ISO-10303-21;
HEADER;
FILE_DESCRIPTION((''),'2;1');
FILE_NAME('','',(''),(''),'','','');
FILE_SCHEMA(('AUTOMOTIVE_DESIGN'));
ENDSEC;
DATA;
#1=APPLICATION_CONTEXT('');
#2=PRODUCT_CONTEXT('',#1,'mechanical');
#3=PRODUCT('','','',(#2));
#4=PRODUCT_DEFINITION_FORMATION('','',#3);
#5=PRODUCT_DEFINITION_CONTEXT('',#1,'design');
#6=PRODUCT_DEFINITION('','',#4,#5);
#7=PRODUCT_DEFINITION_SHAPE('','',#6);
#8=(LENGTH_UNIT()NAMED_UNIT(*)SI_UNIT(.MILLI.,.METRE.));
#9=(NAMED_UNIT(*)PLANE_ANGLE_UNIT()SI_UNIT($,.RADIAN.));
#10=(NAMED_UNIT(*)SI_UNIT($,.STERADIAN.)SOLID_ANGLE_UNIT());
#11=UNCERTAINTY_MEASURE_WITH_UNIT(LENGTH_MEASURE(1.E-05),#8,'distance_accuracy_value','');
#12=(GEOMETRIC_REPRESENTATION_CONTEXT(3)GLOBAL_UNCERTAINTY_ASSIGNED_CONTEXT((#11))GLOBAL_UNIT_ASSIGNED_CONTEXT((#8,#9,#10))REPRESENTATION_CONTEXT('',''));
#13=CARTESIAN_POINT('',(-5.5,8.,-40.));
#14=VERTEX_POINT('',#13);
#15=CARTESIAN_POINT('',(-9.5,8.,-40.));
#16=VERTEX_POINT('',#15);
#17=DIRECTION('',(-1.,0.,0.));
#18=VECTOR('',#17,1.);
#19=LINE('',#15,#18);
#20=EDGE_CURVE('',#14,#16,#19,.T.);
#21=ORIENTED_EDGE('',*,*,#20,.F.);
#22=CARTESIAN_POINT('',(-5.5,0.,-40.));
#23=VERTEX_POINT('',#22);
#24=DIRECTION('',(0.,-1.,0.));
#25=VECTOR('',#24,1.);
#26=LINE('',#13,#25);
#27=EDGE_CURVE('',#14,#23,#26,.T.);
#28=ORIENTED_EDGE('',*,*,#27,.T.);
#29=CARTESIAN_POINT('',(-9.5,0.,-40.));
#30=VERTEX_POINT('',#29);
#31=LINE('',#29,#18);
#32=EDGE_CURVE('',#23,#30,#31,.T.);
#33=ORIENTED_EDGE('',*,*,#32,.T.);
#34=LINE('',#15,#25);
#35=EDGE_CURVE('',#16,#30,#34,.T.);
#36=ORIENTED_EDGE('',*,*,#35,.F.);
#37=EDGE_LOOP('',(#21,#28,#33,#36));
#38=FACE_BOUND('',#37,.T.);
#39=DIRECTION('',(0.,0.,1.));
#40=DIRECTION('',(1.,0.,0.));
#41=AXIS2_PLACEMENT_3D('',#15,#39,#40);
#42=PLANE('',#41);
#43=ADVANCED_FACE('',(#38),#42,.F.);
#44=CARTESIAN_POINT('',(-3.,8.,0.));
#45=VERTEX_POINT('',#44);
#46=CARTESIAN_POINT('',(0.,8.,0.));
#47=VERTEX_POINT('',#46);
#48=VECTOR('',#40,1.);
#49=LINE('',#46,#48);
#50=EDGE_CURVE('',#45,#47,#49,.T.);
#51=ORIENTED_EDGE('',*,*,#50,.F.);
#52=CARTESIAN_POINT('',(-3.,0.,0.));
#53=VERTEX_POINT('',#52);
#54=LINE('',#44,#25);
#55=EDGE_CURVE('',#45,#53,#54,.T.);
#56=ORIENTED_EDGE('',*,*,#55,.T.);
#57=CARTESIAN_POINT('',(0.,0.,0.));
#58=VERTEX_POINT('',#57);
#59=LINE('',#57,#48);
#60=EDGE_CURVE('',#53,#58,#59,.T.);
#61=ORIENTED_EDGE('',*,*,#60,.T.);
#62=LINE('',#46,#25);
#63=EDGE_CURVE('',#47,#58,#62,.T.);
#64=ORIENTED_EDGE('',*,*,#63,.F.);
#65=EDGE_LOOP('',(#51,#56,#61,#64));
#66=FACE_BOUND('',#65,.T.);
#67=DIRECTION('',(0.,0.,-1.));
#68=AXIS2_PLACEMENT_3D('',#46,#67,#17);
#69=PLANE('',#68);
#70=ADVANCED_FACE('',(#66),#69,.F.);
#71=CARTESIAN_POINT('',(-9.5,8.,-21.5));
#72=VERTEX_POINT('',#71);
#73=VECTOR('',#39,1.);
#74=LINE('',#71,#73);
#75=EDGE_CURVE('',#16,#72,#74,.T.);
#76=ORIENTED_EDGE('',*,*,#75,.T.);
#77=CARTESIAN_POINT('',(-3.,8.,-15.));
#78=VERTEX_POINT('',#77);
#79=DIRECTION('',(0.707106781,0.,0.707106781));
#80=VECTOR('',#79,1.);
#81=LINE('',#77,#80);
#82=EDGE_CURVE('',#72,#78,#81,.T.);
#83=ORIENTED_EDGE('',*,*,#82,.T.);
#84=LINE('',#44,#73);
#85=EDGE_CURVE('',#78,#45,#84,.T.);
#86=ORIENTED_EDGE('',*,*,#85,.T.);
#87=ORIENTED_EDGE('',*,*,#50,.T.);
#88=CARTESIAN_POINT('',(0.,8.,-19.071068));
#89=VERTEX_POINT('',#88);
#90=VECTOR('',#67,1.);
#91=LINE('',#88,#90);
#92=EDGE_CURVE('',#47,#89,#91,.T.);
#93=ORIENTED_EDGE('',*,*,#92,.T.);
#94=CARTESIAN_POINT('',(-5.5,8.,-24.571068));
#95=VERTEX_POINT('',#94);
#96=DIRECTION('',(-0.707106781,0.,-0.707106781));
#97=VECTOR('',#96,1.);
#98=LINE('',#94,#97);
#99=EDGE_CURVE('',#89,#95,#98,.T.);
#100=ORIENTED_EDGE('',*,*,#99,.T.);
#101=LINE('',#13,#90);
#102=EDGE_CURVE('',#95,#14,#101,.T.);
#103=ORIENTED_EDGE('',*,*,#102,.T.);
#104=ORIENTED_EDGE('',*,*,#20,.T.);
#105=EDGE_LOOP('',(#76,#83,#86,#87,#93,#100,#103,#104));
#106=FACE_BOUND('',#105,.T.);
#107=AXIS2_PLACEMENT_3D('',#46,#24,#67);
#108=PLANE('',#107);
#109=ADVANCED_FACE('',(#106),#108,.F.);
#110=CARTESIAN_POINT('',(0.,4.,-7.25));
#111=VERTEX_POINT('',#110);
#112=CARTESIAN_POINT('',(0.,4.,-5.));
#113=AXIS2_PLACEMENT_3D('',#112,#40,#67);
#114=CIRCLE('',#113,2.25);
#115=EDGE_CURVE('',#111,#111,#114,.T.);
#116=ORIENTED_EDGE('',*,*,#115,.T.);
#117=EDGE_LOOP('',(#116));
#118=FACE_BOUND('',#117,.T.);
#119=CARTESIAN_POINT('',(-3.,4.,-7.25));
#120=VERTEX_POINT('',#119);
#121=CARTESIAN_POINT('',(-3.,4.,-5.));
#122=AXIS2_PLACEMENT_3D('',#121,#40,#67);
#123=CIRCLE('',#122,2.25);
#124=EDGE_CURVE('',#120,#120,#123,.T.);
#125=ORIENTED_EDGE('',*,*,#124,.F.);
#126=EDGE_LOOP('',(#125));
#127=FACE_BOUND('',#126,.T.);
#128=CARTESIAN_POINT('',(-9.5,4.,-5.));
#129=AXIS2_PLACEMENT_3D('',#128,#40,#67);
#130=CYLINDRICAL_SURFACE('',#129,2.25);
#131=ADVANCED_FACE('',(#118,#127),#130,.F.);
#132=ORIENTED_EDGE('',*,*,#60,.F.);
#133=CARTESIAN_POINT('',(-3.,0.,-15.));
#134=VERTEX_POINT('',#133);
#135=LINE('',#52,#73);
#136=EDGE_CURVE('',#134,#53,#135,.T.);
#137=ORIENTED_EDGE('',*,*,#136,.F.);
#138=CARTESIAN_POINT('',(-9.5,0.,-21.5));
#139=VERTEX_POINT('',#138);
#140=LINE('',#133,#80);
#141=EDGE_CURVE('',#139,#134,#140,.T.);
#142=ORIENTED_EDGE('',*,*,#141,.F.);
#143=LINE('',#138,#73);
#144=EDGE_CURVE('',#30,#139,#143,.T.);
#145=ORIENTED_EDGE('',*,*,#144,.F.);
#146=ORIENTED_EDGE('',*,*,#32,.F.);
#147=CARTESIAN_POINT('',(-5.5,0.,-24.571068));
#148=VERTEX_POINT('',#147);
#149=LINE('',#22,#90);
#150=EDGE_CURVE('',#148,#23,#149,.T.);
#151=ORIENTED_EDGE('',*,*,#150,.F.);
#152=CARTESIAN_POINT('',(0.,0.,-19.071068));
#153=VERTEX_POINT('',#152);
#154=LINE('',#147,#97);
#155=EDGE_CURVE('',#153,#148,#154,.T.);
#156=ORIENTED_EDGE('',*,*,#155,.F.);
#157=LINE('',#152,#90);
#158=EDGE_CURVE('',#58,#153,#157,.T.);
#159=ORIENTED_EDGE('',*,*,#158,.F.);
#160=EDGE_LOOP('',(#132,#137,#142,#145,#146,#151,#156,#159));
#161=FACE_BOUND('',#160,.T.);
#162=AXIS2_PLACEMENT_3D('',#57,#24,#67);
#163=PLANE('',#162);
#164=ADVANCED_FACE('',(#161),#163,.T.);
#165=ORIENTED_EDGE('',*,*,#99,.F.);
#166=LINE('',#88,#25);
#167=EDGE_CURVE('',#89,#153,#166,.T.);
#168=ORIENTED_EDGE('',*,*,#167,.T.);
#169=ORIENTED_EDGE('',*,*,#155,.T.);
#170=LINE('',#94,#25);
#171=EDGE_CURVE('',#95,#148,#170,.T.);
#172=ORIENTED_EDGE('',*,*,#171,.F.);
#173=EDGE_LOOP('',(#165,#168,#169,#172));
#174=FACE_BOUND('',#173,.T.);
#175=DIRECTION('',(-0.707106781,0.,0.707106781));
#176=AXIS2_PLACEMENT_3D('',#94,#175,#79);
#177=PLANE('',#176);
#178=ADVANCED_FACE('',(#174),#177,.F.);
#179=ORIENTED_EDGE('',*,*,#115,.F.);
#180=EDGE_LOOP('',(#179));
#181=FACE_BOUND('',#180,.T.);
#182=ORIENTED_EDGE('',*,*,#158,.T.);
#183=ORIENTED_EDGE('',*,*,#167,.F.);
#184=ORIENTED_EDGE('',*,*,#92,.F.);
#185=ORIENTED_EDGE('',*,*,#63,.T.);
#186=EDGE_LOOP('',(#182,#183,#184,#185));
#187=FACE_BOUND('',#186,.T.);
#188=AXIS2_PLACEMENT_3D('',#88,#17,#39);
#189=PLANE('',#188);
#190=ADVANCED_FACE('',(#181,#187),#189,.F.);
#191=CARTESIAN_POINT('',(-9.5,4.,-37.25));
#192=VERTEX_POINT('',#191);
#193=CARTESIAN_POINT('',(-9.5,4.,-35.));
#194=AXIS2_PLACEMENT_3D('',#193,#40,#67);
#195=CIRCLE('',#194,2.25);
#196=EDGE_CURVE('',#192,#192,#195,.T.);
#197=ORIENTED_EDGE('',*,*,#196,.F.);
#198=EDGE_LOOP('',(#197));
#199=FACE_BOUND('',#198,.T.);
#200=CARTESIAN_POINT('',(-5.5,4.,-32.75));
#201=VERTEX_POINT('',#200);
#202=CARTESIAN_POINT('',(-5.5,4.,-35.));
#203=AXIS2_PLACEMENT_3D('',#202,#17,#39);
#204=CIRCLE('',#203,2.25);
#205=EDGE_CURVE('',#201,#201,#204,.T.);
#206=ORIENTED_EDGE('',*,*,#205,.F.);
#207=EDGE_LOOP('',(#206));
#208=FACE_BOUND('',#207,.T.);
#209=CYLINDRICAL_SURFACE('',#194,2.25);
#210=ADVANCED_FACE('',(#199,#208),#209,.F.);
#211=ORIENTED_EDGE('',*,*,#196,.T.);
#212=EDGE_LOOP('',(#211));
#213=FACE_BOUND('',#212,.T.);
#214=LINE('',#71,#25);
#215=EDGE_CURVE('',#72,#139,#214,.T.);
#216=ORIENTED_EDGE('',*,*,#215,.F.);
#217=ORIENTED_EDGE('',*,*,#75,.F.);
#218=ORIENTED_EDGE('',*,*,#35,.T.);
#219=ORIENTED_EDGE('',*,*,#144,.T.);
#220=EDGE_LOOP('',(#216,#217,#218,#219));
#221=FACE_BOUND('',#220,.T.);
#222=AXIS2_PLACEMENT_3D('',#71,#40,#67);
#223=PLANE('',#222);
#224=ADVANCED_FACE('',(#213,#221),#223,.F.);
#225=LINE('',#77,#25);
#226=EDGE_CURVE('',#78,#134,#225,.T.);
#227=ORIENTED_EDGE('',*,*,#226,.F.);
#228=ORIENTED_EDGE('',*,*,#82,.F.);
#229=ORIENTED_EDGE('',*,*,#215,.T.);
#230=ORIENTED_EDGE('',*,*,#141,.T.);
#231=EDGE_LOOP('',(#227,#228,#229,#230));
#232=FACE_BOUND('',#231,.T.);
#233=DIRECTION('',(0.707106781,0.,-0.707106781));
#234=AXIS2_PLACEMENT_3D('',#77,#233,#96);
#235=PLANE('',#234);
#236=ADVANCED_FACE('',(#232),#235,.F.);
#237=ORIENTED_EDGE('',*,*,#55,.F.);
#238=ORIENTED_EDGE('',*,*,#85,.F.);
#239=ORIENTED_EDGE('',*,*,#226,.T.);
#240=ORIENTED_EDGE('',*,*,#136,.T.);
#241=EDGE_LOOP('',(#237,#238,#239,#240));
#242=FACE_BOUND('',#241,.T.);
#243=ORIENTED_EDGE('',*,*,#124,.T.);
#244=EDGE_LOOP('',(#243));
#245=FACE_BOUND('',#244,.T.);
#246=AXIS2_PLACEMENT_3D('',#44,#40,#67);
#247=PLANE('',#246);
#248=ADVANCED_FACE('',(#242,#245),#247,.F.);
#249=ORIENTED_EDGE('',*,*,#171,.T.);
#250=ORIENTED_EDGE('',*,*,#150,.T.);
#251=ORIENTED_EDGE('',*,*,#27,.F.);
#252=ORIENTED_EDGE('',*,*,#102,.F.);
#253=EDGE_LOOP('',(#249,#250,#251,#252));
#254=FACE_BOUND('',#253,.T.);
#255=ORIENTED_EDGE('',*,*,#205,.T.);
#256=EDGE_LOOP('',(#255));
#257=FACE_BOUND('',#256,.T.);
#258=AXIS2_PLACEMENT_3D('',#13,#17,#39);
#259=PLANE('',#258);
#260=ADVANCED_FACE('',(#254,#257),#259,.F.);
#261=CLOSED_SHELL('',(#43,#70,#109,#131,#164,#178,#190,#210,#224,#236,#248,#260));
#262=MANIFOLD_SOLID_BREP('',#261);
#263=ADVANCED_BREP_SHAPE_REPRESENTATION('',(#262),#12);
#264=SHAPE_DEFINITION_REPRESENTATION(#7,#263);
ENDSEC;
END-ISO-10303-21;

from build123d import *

# Parameters (mm, degrees)
BOSS_EXTRUDE1_DEPTH     = 8
SKETCH2_R               = 2.25
CUT_EXTRUDE1_DEPTH      = 6.5
CUT_EXTRUDE1_DEPTH_BACK = 5


with BuildPart() as part:
    # Sketch1 → Boss-Extrude1 (new body)
    with BuildSketch(Plane(origin=(0, 0, 0), x_dir=(1, 0, 0), z_dir=(0, 1, 0))):
        Polygon((0, 0), (-3, 0), (-3, 15), (-9.5, 21.5), (-9.5, 40), (-5.5, 40), (-5.5, 24.571067812), (0, 19.071067812), align=None)
    extrude(amount=BOSS_EXTRUDE1_DEPTH)

    # Sketch2 → Cut-Extrude1 (cut, two sides)
    with BuildSketch(Plane(origin=(-5.5, 0, 0), x_dir=(0, 0, -1), z_dir=(1, 0, 0))) as cut_extrude1_sk:
        with Locations((35, 4)):
            Circle(SKETCH2_R)
        with Locations((5, 4)):
            Circle(SKETCH2_R)
    extrude(amount=CUT_EXTRUDE1_DEPTH, mode=Mode.SUBTRACT)
    extrude(cut_extrude1_sk.sketch, amount=-CUT_EXTRUDE1_DEPTH_BACK, mode=Mode.SUBTRACT)


solid = part.part
